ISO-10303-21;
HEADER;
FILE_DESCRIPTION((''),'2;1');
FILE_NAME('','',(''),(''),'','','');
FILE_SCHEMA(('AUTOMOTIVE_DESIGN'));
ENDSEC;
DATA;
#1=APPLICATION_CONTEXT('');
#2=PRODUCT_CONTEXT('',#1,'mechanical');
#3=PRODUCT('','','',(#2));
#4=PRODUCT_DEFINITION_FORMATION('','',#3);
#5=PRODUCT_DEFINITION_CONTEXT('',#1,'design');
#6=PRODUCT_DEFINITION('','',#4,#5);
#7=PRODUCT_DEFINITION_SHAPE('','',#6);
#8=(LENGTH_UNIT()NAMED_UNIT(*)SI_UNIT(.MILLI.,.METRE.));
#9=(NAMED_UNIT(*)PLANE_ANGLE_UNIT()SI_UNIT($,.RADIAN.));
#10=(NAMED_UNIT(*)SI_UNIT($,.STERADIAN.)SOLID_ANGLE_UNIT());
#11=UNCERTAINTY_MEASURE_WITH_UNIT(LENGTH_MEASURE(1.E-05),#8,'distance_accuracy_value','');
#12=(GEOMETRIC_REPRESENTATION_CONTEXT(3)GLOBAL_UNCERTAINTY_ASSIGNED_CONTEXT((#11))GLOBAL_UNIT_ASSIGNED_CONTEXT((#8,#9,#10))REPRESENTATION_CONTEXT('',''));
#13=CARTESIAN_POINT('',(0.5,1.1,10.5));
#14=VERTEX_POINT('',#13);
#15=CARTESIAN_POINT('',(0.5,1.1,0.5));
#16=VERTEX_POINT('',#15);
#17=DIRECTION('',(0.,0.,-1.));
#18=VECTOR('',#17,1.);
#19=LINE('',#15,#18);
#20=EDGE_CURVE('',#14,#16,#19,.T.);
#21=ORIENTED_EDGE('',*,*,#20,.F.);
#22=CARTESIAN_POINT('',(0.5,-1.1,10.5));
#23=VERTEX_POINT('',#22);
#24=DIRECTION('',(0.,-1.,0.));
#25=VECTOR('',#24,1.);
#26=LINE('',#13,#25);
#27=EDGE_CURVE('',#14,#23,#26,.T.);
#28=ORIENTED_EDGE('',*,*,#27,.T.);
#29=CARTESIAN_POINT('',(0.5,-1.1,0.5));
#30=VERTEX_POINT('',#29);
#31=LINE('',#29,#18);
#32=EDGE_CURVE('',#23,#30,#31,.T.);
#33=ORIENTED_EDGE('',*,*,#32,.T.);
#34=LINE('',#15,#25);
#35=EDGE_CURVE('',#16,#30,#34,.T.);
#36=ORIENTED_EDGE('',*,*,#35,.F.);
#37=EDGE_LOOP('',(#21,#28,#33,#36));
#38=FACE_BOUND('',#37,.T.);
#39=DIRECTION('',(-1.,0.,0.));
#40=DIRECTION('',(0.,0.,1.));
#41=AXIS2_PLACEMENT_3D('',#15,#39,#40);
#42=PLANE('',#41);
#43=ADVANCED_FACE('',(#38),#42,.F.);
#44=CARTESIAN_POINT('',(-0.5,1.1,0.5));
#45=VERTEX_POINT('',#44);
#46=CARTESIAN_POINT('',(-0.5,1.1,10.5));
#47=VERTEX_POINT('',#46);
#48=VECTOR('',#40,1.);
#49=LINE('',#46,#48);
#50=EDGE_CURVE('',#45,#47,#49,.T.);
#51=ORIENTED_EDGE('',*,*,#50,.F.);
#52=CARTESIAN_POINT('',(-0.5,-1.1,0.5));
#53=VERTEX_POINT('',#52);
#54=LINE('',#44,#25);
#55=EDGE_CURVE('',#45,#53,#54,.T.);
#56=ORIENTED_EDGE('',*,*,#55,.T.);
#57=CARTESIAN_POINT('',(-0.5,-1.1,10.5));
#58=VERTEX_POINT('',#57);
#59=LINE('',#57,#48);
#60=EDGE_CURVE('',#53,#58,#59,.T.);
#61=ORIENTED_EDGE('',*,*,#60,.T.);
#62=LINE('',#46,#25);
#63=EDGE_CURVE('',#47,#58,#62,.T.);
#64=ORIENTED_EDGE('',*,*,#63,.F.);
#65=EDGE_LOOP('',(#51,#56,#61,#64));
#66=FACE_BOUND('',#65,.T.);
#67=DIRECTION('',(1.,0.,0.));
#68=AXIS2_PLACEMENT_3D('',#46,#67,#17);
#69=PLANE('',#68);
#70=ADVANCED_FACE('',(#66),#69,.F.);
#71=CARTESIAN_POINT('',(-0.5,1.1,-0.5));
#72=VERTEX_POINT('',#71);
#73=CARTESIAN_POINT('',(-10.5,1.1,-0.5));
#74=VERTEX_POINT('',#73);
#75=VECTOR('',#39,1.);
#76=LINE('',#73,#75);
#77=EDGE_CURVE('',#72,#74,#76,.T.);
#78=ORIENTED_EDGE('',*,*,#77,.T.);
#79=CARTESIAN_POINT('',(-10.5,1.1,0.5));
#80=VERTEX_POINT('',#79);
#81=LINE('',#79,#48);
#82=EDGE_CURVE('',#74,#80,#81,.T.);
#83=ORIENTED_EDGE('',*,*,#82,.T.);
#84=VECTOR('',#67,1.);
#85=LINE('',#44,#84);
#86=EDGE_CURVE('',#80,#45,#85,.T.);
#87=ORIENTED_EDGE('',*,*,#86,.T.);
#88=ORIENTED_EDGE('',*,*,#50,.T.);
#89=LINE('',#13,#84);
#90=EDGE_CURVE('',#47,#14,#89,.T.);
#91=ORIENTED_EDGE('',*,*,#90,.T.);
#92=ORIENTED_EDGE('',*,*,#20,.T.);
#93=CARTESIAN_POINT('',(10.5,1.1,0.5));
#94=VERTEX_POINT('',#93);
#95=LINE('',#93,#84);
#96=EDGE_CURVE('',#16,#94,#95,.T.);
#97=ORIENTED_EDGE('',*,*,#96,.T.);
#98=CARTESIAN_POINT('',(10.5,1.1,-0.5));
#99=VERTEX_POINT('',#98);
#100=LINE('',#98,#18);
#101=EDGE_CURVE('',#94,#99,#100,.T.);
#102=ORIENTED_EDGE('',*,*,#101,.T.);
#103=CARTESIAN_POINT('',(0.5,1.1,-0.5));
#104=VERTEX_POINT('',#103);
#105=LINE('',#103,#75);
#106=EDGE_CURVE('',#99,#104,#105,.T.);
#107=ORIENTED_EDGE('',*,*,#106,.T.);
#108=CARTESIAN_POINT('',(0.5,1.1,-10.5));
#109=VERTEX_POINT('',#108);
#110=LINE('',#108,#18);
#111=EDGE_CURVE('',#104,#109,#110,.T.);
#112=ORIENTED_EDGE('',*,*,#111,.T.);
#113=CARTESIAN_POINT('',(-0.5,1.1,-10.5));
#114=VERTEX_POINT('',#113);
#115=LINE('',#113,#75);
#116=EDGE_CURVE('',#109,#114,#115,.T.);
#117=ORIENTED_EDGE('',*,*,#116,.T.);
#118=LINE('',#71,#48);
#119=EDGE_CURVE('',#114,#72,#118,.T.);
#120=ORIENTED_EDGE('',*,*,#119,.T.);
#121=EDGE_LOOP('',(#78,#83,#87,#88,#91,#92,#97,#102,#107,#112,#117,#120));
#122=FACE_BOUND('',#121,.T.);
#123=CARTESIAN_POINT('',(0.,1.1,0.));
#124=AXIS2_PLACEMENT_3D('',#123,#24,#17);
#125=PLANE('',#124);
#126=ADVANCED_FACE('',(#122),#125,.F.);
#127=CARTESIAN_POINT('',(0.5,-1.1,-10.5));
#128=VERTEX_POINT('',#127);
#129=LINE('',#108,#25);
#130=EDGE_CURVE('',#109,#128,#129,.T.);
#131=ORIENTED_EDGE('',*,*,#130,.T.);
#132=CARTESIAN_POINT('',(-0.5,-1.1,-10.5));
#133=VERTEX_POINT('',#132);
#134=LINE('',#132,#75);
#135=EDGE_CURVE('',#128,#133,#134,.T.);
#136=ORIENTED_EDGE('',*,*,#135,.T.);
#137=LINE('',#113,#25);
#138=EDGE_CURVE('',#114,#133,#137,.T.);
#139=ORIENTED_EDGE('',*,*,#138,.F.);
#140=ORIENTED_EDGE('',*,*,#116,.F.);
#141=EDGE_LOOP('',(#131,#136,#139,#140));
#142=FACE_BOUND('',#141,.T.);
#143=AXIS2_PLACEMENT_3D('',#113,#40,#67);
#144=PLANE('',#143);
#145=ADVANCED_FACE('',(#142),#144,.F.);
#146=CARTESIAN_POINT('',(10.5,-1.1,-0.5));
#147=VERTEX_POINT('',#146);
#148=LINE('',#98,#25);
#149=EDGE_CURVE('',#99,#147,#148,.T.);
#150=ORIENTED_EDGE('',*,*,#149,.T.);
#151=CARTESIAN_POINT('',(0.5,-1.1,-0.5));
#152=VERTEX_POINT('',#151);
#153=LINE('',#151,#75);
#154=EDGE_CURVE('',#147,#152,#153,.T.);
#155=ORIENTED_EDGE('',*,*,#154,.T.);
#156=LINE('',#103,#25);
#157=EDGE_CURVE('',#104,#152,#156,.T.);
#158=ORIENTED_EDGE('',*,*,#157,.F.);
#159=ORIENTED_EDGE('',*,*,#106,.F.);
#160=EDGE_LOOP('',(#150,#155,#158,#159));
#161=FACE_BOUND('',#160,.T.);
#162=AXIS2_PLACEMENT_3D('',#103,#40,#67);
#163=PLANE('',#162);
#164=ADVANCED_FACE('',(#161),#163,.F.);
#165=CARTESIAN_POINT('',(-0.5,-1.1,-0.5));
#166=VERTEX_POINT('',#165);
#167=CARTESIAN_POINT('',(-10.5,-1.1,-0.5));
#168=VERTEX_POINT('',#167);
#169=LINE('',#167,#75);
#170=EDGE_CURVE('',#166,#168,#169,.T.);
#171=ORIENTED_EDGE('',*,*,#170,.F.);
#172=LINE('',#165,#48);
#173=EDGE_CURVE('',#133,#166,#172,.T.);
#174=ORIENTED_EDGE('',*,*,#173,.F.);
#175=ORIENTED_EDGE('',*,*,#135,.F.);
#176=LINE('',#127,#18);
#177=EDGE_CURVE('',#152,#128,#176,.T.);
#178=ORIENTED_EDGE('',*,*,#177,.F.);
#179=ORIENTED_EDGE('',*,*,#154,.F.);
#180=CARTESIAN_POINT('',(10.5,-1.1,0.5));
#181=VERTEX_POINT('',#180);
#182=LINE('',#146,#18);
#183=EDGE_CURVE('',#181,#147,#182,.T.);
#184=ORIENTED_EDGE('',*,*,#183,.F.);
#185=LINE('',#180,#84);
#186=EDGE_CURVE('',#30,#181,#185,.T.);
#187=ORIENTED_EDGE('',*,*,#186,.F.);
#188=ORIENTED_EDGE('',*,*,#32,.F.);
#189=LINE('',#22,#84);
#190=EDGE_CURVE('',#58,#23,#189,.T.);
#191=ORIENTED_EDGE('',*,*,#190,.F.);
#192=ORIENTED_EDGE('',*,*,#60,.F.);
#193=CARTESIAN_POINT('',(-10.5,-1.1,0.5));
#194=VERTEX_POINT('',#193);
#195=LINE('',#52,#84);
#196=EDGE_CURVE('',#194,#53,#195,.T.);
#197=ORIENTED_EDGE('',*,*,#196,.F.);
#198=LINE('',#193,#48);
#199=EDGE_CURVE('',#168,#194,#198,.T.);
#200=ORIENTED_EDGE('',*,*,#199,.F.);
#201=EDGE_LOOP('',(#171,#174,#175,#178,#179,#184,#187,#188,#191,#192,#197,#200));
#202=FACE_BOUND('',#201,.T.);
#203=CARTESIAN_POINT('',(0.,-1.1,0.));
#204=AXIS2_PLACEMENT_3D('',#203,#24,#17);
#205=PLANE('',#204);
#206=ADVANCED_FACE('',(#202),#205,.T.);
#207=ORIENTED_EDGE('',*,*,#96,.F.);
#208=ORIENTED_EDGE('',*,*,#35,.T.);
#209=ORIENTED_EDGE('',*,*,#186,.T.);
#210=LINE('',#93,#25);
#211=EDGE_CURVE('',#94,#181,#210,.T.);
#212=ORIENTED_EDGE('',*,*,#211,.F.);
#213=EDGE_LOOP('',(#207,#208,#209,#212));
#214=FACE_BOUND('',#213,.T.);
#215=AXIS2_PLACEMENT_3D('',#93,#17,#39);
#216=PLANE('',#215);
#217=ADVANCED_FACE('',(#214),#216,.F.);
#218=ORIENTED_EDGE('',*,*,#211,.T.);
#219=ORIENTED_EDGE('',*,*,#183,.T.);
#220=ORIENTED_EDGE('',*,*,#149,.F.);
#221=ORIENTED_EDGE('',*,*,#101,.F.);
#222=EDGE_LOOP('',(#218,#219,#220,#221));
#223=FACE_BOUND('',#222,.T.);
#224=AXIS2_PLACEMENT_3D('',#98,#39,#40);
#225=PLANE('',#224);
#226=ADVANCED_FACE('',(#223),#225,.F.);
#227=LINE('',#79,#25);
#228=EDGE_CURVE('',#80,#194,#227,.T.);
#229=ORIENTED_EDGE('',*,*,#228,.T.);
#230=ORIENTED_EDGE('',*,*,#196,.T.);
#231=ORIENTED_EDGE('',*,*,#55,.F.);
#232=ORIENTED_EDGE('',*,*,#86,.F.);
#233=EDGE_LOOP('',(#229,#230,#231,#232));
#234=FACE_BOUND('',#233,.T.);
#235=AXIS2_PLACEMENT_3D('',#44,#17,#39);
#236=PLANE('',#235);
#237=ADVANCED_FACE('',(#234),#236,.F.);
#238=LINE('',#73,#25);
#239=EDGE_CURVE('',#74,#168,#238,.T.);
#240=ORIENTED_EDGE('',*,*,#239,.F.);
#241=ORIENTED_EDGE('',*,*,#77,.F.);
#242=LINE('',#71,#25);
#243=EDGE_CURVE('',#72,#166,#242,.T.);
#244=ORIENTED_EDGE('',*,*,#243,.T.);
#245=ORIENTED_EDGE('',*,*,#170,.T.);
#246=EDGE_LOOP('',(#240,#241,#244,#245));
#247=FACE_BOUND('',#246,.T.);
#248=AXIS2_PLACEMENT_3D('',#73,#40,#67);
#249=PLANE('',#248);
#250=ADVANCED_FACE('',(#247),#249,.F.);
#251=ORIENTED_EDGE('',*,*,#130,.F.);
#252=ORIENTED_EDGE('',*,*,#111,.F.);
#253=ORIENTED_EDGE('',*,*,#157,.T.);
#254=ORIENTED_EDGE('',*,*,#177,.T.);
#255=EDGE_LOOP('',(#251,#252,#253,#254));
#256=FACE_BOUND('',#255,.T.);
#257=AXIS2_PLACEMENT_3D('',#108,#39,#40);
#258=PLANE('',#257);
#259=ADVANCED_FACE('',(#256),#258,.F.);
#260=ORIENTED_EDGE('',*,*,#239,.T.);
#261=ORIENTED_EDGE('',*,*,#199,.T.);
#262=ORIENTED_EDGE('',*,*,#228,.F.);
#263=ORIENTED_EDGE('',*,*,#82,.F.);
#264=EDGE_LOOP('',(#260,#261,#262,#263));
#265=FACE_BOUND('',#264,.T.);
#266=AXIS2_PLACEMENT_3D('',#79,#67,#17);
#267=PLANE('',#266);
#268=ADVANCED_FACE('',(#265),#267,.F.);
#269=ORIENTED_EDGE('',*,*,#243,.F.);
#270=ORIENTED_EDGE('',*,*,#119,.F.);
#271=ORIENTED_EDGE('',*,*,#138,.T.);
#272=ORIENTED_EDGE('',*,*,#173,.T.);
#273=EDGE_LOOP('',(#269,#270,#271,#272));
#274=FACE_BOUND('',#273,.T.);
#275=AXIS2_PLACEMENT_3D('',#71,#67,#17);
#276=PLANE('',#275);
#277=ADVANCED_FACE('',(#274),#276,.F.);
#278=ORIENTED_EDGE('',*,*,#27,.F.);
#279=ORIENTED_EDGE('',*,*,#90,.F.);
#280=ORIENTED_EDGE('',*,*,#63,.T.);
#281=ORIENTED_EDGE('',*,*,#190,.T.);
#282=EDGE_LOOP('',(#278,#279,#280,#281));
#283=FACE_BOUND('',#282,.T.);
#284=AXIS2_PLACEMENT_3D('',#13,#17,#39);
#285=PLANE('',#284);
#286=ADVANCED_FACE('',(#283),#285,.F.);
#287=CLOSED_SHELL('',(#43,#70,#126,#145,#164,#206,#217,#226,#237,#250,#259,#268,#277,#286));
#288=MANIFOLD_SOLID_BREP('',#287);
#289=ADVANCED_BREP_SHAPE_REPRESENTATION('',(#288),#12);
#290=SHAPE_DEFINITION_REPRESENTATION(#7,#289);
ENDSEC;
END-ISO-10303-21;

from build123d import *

# Parameters (mm, degrees)
BOSS_EXTRUDE1_DEPTH = 1.1


with BuildPart() as part:
    # Sketch1 → Boss-Extrude1 (new, symmetric)
    with BuildSketch(Plane(origin=(0, 0, 0), x_dir=(1, 0, 0), z_dir=(0, 1, 0))):
        Polygon((-10.5, 0.5), (-0.5, 0.5), (-0.5, 10.5), (0.5, 10.5), (0.5, 0.5), (10.5, 0.5), (10.5, -0.5), (0.5, -0.5), (0.5, -10.5), (-0.5, -10.5), (-0.5, -0.5), (-10.5, -0.5), align=None)
    extrude(amount=BOSS_EXTRUDE1_DEPTH, both=True)


solid = part.part
